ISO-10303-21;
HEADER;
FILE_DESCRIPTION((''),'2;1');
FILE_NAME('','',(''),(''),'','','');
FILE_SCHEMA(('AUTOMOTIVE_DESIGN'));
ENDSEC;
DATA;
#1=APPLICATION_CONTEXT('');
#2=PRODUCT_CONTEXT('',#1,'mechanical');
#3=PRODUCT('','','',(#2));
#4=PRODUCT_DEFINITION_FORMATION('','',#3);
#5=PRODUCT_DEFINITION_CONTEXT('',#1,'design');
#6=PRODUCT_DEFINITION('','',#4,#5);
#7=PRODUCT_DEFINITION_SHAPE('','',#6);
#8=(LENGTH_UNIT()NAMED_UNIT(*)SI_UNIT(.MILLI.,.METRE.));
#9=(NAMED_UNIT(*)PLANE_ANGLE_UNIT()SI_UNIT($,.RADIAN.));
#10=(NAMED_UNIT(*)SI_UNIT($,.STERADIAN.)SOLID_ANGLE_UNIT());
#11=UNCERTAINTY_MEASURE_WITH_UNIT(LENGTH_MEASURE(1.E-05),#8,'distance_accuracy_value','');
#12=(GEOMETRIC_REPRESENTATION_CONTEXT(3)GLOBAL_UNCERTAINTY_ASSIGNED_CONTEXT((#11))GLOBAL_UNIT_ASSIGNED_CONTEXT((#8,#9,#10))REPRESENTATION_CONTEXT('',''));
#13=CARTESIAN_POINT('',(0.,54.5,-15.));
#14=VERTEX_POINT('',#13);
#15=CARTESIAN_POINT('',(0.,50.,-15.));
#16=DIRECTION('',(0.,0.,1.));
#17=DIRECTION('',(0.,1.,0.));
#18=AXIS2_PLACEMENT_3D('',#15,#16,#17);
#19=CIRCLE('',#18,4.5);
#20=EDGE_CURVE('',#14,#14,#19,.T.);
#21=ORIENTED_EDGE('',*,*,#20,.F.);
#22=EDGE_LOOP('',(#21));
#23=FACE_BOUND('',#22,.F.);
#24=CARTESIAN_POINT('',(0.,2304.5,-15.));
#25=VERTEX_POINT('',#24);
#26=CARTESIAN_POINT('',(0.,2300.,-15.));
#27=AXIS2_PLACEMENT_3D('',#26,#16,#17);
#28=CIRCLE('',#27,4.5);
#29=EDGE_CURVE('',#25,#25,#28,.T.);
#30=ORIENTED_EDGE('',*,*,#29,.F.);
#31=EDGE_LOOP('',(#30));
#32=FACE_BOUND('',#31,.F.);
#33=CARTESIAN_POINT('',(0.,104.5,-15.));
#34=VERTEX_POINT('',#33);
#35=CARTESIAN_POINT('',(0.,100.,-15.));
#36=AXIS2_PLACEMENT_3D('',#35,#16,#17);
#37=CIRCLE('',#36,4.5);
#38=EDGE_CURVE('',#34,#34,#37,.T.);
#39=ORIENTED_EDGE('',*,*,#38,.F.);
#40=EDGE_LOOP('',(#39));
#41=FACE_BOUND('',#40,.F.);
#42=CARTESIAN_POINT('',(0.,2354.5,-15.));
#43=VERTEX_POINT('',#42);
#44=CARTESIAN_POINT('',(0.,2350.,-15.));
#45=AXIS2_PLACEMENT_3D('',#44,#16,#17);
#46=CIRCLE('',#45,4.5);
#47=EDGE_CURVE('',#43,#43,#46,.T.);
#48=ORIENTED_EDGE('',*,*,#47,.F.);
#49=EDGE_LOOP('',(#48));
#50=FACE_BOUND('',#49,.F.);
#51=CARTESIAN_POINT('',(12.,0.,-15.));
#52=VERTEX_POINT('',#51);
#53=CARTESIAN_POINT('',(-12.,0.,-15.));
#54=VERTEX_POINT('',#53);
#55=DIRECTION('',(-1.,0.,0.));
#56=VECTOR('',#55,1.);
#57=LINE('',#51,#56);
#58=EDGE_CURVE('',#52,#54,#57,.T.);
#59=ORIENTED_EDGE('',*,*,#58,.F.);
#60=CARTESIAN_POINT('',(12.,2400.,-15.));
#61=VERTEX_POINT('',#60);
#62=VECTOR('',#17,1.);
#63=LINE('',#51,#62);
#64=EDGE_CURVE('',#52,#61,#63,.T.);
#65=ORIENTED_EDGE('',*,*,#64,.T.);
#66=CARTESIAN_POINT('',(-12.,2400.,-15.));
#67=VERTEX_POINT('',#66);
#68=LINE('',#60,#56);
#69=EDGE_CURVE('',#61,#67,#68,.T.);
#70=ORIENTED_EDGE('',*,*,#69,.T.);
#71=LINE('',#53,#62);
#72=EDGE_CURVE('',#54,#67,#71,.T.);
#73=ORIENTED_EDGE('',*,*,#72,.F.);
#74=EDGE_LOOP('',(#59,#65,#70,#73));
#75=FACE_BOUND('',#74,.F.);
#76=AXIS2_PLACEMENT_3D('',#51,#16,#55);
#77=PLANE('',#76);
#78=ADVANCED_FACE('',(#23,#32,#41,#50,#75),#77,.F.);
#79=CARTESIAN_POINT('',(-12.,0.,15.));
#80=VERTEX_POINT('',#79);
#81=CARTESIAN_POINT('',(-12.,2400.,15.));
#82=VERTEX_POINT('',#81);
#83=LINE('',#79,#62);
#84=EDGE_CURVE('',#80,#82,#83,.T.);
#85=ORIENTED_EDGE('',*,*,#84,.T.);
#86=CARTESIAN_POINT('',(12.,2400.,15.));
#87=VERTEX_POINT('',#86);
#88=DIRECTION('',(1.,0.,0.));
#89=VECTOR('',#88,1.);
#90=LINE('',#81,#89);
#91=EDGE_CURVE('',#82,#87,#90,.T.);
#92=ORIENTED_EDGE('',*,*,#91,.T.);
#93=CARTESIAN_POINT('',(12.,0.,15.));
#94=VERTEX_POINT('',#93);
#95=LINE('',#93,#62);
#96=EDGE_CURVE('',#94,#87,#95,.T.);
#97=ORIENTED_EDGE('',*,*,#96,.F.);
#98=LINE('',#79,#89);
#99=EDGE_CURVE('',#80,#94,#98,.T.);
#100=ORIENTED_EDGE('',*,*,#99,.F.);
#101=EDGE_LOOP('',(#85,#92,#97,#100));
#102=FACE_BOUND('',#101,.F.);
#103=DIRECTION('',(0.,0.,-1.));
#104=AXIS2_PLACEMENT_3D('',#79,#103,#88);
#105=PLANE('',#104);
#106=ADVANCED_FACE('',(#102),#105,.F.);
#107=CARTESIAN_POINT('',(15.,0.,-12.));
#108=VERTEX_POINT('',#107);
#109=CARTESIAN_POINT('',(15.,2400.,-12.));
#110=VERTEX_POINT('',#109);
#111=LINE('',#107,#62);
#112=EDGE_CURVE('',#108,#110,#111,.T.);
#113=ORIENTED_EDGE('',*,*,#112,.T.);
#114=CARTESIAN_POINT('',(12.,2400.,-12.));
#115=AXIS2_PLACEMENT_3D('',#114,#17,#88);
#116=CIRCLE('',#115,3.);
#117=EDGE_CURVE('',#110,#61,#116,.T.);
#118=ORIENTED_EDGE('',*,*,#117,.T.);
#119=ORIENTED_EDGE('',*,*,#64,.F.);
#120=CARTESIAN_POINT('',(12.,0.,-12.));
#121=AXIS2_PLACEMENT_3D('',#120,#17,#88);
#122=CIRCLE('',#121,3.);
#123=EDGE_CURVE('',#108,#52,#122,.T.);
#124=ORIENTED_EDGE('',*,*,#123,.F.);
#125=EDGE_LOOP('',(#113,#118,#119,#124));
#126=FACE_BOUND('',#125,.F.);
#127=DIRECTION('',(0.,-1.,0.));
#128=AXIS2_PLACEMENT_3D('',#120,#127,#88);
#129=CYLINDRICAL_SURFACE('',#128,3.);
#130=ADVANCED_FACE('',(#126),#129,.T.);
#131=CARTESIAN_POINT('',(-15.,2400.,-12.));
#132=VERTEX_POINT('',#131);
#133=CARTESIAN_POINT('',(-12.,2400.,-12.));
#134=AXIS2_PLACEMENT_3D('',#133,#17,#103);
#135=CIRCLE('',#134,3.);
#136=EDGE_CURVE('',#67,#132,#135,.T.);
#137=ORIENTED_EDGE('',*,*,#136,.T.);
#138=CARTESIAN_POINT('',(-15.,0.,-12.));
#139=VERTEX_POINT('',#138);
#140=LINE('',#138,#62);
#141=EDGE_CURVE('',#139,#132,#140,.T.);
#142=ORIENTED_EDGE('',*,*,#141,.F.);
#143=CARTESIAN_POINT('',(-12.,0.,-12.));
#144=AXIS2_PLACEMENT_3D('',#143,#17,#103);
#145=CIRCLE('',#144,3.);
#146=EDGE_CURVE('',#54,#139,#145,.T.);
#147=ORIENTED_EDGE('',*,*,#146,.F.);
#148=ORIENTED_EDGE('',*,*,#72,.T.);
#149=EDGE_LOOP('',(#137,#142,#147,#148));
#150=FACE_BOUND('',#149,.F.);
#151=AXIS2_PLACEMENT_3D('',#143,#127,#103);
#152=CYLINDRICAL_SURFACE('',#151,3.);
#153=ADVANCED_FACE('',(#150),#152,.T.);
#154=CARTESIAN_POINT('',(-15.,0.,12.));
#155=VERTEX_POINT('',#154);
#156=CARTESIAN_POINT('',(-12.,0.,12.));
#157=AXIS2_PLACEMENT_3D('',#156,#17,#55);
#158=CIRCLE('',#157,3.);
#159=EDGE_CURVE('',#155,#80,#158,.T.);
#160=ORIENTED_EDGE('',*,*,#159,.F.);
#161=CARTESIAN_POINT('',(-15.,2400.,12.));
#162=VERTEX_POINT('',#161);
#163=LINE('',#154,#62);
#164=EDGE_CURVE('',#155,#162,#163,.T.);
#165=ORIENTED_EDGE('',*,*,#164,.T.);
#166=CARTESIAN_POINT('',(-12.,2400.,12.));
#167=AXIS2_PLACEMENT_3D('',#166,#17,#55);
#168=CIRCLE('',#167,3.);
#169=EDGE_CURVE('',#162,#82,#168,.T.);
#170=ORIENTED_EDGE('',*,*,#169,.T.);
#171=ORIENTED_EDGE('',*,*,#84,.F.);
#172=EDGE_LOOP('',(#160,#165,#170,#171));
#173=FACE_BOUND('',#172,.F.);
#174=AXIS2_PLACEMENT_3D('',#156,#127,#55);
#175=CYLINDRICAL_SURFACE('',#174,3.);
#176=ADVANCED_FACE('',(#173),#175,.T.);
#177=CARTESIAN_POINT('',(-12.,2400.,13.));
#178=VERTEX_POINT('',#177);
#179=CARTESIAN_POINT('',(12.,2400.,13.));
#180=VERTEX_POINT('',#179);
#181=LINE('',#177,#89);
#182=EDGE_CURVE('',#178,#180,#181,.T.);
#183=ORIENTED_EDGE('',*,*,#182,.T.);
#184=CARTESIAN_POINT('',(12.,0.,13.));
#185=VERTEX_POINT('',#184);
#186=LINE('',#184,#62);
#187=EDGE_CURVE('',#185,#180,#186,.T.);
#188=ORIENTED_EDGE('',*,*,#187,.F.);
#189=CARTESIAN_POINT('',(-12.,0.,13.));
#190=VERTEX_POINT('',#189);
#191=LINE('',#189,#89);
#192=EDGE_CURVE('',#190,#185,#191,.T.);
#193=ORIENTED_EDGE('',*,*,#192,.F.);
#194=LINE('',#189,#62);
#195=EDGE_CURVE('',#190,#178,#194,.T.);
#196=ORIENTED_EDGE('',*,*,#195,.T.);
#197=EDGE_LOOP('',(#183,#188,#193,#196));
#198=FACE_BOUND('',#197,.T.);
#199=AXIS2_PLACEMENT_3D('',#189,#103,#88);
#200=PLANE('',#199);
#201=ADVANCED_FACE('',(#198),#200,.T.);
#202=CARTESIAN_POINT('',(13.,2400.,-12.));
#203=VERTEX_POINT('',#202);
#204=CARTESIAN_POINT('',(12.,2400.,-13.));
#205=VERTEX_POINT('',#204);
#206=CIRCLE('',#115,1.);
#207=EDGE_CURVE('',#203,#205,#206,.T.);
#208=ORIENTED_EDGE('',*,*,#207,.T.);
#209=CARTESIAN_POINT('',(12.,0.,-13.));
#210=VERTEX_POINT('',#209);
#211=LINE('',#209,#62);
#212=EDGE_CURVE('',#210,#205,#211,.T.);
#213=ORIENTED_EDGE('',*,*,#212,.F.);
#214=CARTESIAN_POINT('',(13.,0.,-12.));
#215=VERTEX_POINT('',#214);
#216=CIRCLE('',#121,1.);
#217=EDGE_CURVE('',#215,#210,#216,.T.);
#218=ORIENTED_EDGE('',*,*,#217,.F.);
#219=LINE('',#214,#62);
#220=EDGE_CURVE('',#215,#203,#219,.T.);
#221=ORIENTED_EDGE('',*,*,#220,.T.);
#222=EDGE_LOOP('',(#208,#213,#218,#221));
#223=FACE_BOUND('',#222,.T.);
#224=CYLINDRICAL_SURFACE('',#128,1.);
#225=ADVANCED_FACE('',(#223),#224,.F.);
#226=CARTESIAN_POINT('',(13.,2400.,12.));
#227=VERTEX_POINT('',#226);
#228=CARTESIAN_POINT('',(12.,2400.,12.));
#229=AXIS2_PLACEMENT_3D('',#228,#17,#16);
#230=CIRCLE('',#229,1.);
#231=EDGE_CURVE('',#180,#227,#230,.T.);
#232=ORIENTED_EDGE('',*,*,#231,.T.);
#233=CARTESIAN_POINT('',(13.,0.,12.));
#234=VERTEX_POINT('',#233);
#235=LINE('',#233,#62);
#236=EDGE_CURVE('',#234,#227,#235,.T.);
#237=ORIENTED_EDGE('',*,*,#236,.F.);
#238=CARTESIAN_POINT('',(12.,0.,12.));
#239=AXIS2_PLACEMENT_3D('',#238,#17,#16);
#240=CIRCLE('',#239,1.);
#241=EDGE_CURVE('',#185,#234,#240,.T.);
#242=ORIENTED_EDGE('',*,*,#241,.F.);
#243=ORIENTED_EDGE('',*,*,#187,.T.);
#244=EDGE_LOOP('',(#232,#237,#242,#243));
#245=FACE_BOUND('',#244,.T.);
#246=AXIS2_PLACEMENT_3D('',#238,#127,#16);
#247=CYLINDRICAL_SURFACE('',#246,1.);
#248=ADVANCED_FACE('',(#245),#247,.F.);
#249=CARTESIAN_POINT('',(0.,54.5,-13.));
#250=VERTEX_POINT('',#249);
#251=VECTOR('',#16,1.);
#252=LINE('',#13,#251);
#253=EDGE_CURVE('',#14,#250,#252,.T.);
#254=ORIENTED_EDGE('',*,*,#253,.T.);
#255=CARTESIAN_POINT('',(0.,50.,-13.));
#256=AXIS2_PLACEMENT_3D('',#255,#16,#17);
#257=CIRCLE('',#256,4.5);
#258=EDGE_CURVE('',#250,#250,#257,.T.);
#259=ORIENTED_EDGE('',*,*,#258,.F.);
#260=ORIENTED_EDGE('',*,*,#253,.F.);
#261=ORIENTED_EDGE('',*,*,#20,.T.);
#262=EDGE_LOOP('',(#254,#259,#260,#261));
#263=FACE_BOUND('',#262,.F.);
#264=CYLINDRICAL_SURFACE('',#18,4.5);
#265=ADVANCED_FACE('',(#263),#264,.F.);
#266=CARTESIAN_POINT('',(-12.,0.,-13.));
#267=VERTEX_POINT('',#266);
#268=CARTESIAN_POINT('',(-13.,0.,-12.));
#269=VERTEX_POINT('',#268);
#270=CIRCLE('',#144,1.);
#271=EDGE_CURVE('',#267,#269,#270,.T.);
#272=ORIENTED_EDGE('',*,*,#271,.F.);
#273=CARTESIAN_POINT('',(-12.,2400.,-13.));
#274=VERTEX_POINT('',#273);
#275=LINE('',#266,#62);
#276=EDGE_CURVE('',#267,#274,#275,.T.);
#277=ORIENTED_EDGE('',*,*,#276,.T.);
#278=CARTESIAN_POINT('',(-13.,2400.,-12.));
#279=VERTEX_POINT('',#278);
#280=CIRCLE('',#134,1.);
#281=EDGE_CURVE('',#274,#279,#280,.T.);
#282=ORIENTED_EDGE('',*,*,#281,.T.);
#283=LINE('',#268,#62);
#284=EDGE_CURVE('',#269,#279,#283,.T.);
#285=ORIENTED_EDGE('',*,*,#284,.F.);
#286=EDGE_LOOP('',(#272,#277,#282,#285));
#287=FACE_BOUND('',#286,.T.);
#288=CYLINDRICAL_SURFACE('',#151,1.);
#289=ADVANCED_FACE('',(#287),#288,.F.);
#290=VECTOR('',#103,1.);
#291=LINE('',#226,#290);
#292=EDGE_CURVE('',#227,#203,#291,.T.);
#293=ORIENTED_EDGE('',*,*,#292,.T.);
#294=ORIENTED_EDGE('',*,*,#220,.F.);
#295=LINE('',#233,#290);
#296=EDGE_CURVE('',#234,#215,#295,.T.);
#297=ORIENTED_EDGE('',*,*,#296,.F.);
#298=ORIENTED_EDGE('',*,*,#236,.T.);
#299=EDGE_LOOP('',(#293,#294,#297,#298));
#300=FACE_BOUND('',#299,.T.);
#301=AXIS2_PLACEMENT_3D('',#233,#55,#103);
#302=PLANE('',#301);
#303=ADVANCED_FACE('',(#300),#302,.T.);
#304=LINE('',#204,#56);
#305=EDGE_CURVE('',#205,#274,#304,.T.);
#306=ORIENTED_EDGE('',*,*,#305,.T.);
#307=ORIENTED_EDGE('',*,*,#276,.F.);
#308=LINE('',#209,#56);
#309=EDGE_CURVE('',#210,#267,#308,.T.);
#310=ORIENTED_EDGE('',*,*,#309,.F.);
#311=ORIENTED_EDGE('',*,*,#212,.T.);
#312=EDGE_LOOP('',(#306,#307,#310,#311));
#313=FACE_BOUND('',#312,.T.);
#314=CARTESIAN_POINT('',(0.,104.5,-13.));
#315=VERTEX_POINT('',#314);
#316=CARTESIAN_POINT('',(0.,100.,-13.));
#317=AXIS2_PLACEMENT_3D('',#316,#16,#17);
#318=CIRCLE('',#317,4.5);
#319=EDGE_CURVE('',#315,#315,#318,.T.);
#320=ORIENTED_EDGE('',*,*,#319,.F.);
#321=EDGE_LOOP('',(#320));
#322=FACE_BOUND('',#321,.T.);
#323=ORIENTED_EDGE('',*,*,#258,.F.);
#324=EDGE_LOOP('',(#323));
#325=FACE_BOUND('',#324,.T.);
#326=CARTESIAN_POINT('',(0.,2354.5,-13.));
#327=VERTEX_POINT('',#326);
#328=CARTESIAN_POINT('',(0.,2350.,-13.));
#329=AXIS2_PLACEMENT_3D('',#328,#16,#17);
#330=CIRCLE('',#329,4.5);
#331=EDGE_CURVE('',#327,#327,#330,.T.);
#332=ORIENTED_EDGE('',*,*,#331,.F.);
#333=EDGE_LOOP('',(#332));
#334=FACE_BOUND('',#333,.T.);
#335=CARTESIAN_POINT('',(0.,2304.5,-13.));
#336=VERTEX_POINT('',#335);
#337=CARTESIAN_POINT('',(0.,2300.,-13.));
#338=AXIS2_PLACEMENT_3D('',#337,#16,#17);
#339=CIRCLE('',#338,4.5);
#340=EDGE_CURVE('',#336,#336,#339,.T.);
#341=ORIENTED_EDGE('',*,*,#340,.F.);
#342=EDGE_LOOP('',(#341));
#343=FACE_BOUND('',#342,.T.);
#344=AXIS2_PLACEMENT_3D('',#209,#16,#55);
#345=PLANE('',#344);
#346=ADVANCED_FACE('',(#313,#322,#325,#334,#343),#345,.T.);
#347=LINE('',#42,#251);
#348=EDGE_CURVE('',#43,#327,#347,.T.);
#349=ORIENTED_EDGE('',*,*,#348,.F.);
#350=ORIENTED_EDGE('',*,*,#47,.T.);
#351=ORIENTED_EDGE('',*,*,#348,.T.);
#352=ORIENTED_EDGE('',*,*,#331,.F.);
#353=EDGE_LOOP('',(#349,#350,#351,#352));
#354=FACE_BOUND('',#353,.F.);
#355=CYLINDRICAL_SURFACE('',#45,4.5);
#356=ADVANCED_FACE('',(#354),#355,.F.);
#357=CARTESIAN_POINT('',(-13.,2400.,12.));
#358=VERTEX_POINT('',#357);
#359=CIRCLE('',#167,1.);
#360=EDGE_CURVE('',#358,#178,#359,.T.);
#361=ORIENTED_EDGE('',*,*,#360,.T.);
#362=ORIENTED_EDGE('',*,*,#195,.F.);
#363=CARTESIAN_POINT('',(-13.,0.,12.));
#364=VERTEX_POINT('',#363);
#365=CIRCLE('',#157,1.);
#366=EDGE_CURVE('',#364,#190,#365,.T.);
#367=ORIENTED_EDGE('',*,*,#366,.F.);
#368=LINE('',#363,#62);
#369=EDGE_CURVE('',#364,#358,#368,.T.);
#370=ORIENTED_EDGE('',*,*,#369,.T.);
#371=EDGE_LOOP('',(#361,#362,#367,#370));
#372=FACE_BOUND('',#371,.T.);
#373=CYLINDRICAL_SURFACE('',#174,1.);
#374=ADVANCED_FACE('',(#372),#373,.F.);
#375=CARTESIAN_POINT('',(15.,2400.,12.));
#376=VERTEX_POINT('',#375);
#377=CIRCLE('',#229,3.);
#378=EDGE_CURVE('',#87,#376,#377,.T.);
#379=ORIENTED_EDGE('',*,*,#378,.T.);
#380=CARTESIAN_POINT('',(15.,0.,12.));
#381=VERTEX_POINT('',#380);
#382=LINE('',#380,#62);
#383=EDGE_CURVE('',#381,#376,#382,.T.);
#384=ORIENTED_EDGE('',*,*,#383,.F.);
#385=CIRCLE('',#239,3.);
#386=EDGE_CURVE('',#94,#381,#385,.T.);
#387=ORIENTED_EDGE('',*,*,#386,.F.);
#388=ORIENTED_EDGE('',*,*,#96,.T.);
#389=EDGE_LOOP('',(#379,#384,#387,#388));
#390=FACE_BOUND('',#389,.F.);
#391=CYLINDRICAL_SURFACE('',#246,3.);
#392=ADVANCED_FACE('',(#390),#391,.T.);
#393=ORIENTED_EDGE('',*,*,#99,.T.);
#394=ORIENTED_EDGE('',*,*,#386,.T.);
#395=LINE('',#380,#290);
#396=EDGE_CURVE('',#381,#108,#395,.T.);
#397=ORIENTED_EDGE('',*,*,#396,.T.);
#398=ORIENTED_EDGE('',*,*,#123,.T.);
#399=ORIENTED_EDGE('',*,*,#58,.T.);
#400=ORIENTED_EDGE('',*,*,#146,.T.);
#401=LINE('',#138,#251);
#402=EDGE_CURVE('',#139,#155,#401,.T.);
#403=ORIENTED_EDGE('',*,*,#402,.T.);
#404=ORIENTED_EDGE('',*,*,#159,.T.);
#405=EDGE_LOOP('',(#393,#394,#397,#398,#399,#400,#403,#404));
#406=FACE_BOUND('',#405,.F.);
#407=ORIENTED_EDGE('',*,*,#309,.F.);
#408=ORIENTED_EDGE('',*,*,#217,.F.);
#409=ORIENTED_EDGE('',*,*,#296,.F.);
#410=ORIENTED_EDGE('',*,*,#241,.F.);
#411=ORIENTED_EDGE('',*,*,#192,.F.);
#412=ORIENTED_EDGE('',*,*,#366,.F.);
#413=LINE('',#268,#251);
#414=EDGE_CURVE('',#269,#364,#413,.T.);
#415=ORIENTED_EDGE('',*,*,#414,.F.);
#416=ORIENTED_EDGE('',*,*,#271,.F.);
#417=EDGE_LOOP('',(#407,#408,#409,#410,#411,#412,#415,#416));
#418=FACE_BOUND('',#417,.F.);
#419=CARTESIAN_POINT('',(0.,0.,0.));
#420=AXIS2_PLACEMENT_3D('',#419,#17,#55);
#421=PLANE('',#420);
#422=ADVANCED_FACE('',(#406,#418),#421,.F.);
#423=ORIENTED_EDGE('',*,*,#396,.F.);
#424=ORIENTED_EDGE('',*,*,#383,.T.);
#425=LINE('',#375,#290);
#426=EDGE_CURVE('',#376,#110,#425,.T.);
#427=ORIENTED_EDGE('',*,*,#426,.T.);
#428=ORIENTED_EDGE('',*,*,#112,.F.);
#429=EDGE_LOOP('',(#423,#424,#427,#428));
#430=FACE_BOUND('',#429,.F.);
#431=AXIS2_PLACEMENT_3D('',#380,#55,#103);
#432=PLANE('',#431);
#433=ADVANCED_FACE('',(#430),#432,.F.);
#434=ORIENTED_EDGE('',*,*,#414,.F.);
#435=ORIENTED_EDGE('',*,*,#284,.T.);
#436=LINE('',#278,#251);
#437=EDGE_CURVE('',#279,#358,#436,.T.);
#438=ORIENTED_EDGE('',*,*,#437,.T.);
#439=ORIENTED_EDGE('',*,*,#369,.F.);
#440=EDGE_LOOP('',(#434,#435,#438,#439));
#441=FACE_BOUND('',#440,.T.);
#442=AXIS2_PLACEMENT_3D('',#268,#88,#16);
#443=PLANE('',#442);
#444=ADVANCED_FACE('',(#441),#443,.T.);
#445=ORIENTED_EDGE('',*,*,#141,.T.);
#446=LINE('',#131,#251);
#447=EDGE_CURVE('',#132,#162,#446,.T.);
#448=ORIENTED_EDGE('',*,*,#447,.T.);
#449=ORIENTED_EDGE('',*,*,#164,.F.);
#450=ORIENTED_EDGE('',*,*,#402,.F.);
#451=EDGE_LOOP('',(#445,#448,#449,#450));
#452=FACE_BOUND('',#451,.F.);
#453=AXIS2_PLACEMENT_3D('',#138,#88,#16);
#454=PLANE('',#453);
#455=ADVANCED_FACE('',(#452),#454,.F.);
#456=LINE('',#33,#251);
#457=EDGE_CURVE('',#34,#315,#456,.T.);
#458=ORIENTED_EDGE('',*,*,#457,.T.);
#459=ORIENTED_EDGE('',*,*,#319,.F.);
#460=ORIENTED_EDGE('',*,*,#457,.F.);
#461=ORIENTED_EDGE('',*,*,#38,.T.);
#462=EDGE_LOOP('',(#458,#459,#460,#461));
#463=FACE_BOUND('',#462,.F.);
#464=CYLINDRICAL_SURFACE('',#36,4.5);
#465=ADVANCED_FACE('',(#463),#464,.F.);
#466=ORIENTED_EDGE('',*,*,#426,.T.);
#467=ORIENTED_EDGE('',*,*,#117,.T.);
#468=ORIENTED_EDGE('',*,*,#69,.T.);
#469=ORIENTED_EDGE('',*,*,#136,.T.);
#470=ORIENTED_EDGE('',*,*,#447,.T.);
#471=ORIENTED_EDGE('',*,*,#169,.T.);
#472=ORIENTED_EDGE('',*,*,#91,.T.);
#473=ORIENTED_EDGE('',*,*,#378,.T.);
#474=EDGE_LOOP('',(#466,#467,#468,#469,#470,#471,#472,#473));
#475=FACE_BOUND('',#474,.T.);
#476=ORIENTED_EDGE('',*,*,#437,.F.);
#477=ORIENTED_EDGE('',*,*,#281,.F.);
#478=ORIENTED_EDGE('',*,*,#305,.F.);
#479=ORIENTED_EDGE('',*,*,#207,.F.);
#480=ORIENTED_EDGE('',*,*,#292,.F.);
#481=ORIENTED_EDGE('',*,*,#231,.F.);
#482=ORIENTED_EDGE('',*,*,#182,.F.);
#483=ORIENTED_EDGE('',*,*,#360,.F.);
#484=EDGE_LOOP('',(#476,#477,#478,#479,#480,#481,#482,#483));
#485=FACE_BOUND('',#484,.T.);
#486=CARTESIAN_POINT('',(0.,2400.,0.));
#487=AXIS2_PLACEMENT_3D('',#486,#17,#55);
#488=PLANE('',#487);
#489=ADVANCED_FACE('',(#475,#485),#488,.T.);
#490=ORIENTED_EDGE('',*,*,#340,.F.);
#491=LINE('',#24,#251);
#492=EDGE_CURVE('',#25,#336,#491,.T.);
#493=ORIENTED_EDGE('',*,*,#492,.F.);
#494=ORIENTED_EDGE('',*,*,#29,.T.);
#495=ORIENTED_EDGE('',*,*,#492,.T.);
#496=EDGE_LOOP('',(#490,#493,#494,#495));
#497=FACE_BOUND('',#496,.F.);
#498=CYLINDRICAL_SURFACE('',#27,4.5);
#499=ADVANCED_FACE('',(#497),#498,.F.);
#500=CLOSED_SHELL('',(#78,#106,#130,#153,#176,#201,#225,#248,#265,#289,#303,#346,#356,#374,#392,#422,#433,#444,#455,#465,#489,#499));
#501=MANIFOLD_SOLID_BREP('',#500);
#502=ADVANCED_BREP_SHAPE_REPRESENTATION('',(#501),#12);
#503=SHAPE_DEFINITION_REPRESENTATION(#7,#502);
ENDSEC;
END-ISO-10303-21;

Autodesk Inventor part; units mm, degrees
ref_plane "XZ Plane" through (0, 0, 0) normal (0, 1, 0) x (-1, 0, 0)
sketch "Sketch1" plane through (0, 0, 0) normal (0, 1, 0) x (-1, 0, 0)
  line L0 (-12, 14) -> (12, 14) construction
  line L1 (14, 12) -> (14, -12) construction
  line L2 (12, -14) -> (-12, -14) construction
  line L3 (-14, -12) -> (-14, 12) construction
  line L4 (-14, 14) -> (14, -14) construction
  line L5 (14, 14) -> (-14, -14) construction
  arc A0 (14, 12) -> (12, 14) centre (12, 12) ccw construction
  arc A1 (12, -14) -> (14, -12) centre (12, -12) ccw construction
  arc A2 (-14, -12) -> (-12, -14) centre (-12, -12) ccw construction
  arc A3 (-12, 14) -> (-14, 12) centre (-12, 12) ccw construction
  line L6 (-12, -15) -> (12, -15)
  arc A4 (12, -15) -> (15, -12) centre (12, -12) ccw
  line L7 (15, -12) -> (15, 12)
  arc A5 (15, 12) -> (12, 15) centre (12, 12) ccw
  line L8 (12, 15) -> (-12, 15)
  arc A6 (-12, 15) -> (-15, 12) centre (-12, 12) ccw
  line L9 (-15, 12) -> (-15, -12)
  arc A7 (-15, -12) -> (-12, -15) centre (-12, -12) ccw
  line L10 (13, -12) -> (13, 12)
  arc A8 (13, 12) -> (12, 13) centre (12, 12) ccw
  line L11 (12, 13) -> (-12, 13)
  arc A9 (-12, 13) -> (-13, 12) centre (-12, 12) ccw
  line L12 (-13, 12) -> (-13, -12)
  arc A10 (-13, -12) -> (-12, -13) centre (-12, -12) ccw
  line L13 (-12, -13) -> (12, -13)
  arc A11 (12, -13) -> (13, -12) centre (12, -12) ccw
  point P0 (0, 0)
  point P1 (0, 0)
  point P2 (0, 0)
  dimension "d10" = 2
  dimension "depth" = 30
  dimension "width" = 30
  dimension "thickness" = 2
extrude "Extrusion1" add sketch "Sketch1" along normal blind 2400
sketch "Sketch2" plane through (12, 0, -15) normal (0, 0, -1) x (-1, 0, 0)
  line L0 (12, -480) -> (12, 2880) construction
  line L1 (0, 0) -> (24, 0) projected
  line L2 (0, 2400) -> (24, 2400) projected
  point P0 (12, 0)
  point P1 (12, 50)
  point P2 (12, 100)
  point P3 (12, 2350)
  point P4 (12, 2300)
  dimension "d16" = 50
  dimension "d17" = 50
  dimension "d18" = 50
  dimension "d20" = 50
hole "Hole1" at (0, 50, -15) at (0, 100, -15) at (0, 2350, -15) at (0, 2300, -15) direction (0, 0, 1) diameter 9 depth 20.2 tip angle 118
equation "\"d10\" = thickness"
properties part number "Przedluzka L2400" material "Steel"
